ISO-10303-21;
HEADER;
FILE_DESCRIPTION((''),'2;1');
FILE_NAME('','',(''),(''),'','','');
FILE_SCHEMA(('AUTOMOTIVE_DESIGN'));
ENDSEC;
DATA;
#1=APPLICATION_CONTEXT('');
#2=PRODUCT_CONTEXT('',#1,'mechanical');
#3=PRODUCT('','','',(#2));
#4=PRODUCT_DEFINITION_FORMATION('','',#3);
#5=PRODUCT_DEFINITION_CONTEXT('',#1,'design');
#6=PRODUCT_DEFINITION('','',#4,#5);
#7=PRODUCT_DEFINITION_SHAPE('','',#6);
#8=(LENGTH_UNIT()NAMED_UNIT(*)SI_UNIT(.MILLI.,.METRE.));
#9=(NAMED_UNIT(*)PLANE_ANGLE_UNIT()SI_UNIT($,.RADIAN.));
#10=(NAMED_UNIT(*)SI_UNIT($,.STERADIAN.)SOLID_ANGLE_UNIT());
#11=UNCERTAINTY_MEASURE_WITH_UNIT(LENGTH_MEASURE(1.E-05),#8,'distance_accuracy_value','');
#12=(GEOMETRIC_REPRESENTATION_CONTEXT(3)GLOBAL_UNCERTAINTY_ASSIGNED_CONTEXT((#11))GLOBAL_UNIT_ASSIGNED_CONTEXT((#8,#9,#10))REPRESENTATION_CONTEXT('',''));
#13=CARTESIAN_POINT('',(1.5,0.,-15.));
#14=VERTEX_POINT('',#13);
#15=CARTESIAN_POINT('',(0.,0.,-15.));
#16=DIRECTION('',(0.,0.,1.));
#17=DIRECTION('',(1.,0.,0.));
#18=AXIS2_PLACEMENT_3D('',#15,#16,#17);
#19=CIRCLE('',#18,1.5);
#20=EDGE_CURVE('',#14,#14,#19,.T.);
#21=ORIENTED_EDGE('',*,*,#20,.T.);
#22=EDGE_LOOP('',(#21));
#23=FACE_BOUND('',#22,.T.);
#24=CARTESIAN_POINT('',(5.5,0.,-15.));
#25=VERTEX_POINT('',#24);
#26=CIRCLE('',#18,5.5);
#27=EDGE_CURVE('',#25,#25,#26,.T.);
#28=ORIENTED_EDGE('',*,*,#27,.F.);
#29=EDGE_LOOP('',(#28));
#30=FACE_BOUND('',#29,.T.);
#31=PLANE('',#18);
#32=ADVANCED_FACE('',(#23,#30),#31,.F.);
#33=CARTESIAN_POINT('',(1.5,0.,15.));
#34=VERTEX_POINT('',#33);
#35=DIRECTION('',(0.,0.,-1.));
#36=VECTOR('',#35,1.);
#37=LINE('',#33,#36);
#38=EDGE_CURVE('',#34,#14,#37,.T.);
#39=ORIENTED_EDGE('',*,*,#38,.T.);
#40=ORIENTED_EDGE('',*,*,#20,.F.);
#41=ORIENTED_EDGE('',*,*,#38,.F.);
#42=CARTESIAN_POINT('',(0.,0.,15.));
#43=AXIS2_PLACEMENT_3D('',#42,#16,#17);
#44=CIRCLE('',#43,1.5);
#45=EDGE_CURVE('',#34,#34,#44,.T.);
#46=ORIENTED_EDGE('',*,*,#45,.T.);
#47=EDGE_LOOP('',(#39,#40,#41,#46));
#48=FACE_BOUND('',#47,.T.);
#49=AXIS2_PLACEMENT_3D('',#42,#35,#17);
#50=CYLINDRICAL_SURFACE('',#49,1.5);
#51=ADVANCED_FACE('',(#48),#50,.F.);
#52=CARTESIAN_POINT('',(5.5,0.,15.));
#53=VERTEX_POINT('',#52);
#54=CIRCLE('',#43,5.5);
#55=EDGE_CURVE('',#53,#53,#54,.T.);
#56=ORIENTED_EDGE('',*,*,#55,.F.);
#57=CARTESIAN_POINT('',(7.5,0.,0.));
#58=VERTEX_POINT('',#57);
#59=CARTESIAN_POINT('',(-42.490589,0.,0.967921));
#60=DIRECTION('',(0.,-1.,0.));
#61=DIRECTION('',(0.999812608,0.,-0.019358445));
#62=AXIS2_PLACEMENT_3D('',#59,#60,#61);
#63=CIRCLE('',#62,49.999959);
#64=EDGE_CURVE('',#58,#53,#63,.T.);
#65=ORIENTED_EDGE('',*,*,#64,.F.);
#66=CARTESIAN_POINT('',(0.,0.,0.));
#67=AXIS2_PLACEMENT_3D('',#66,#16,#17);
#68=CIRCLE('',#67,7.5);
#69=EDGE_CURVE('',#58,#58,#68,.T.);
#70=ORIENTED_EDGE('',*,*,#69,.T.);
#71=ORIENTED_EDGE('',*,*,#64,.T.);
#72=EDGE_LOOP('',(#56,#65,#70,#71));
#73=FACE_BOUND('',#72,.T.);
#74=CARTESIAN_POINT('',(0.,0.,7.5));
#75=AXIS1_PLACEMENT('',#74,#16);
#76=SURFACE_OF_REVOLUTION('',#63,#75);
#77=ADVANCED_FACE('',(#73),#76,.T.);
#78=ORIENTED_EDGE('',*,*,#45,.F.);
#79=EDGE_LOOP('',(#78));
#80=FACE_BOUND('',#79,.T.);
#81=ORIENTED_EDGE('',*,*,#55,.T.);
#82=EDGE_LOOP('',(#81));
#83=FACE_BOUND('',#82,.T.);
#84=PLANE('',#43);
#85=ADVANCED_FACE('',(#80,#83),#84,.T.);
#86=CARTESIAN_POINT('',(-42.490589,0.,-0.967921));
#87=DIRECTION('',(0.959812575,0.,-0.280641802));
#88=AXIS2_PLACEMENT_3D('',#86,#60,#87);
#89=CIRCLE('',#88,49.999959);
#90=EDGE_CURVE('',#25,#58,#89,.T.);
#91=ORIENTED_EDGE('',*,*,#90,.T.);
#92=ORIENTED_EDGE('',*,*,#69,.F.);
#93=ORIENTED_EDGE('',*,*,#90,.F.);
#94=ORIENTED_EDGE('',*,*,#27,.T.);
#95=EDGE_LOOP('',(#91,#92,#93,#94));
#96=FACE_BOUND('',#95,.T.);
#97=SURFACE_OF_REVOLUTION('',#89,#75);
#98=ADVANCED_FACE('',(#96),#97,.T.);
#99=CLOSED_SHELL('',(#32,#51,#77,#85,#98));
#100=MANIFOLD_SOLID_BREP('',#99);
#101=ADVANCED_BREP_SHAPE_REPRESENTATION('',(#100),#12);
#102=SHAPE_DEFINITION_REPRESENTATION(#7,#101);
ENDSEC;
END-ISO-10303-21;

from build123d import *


with BuildPart() as f1:
    # F0 (on Front) → F1 (revolve)
    with BuildSketch(Plane.XZ):
        with BuildLine():
            Line((1.5, 15), (1.5, 0))
            Line((1.5, 0), (7.5, 0))
            ThreePointArc((7.5, 0), (7.070765, 7.576102), (5.5, 15))
            Line((5.5, 15), (1.5, 15))
        make_face()
        with BuildLine():
            Line((7.5, 0), (1.5, 0))
            Line((1.5, 0), (1.5, -15))
            Line((1.5, -15), (5.5, -15))
            ThreePointArc((5.5, -15), (7.070765, -7.576102), (7.5, 0))
        make_face()
    revolve(axis=Axis((0, 0, 7.5), (0, 0, 1)))


solid = f1.part
